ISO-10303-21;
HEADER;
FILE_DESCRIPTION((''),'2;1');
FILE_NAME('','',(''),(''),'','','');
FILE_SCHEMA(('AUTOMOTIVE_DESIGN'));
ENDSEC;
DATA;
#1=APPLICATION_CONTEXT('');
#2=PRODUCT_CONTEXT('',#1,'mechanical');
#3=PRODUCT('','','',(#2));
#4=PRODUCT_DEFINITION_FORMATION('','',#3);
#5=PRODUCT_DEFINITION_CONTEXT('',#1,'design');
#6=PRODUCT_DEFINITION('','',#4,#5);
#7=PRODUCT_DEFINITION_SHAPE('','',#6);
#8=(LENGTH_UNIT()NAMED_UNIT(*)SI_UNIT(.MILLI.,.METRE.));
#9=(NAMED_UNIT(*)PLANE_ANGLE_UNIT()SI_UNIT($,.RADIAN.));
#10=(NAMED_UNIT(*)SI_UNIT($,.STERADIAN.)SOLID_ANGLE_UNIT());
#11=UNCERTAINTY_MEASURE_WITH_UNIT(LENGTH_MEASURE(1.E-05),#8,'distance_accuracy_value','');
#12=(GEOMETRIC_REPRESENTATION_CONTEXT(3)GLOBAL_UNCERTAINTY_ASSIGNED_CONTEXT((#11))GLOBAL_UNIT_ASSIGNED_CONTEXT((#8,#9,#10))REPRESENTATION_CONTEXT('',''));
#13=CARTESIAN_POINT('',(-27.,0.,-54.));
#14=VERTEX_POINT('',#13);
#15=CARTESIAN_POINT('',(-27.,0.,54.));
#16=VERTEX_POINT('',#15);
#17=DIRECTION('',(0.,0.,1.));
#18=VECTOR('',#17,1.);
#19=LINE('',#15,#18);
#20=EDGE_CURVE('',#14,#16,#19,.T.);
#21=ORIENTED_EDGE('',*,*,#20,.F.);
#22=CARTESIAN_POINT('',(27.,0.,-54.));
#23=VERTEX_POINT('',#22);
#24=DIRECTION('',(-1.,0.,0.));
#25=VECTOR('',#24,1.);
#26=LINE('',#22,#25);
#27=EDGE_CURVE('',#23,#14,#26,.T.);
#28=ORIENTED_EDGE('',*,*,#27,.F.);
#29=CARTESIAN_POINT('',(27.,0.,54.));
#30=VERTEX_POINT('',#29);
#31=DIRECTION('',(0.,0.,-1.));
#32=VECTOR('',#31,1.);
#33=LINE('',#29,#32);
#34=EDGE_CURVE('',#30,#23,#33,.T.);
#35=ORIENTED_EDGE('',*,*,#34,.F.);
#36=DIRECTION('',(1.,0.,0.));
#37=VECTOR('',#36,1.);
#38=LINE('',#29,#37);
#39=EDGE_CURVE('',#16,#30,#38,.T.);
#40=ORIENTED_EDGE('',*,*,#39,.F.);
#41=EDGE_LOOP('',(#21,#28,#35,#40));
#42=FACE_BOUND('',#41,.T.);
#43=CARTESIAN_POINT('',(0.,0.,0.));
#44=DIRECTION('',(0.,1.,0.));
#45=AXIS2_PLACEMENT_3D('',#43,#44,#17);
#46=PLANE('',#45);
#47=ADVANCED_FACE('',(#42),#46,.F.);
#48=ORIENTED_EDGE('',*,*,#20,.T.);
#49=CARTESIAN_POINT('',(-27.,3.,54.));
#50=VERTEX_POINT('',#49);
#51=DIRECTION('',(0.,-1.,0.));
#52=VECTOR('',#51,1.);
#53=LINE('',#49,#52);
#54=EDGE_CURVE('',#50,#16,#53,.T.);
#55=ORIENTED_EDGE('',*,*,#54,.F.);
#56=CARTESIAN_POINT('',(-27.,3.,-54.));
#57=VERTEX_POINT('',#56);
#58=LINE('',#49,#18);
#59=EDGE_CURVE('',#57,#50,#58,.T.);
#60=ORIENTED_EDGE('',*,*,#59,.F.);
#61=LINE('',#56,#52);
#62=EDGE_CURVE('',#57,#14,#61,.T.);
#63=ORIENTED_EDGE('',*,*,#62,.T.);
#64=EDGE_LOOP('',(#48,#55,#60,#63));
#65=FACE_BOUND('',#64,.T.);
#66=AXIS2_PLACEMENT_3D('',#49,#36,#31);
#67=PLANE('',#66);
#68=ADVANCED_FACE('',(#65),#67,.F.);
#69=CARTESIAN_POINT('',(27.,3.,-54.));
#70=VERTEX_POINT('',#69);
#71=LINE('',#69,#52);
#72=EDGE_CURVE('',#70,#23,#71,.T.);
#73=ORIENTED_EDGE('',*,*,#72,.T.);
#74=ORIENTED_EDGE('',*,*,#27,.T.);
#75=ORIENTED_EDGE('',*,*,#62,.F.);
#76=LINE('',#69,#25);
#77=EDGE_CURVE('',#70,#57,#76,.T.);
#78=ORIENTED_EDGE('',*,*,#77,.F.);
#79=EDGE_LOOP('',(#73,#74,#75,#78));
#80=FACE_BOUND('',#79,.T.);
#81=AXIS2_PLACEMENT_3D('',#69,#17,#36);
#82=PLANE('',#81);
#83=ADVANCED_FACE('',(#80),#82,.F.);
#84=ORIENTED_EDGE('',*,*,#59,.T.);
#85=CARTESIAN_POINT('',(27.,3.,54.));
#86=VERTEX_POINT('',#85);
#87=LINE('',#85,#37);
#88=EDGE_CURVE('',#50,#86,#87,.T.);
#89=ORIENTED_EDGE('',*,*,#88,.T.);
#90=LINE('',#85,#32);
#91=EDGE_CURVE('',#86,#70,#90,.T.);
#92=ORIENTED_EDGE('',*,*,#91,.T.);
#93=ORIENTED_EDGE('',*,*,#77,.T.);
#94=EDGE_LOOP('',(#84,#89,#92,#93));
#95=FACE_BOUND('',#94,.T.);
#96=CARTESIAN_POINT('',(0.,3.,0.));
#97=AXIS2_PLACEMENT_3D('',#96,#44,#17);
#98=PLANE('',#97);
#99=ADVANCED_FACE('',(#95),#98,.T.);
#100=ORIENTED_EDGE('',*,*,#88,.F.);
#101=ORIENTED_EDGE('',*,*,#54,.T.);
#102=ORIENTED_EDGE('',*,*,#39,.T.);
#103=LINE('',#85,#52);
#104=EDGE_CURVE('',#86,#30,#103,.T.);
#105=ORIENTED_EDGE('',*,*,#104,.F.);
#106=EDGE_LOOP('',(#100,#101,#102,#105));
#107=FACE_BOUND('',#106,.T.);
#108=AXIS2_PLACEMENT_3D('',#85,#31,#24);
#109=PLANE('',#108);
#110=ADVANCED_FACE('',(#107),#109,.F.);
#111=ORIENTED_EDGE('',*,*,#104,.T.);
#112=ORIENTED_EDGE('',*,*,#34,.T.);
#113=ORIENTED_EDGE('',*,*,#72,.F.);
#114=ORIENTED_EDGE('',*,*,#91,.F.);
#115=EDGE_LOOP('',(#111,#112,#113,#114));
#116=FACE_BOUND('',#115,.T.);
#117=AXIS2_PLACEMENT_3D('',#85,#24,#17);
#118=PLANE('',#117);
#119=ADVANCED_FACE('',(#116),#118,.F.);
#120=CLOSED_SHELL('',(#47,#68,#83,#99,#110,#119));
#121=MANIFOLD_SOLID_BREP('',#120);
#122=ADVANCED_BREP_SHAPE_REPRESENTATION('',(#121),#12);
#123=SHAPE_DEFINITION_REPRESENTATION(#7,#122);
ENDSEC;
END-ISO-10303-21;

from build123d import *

# Parameters (mm, degrees)
ESQUISSE1_W        = 54
ESQUISSE1_H        = 108
BOSS_EXTRU_1_DEPTH = 3


with BuildPart() as part:
    # Esquisse1 → Boss.-Extru.1 (new body)
    with BuildSketch(Plane(origin=(0, 0, 0), x_dir=(1, 0, 0), z_dir=(0, 1, 0))):
        Rectangle(ESQUISSE1_W, ESQUISSE1_H)
    extrude(amount=BOSS_EXTRU_1_DEPTH)


solid = part.part
